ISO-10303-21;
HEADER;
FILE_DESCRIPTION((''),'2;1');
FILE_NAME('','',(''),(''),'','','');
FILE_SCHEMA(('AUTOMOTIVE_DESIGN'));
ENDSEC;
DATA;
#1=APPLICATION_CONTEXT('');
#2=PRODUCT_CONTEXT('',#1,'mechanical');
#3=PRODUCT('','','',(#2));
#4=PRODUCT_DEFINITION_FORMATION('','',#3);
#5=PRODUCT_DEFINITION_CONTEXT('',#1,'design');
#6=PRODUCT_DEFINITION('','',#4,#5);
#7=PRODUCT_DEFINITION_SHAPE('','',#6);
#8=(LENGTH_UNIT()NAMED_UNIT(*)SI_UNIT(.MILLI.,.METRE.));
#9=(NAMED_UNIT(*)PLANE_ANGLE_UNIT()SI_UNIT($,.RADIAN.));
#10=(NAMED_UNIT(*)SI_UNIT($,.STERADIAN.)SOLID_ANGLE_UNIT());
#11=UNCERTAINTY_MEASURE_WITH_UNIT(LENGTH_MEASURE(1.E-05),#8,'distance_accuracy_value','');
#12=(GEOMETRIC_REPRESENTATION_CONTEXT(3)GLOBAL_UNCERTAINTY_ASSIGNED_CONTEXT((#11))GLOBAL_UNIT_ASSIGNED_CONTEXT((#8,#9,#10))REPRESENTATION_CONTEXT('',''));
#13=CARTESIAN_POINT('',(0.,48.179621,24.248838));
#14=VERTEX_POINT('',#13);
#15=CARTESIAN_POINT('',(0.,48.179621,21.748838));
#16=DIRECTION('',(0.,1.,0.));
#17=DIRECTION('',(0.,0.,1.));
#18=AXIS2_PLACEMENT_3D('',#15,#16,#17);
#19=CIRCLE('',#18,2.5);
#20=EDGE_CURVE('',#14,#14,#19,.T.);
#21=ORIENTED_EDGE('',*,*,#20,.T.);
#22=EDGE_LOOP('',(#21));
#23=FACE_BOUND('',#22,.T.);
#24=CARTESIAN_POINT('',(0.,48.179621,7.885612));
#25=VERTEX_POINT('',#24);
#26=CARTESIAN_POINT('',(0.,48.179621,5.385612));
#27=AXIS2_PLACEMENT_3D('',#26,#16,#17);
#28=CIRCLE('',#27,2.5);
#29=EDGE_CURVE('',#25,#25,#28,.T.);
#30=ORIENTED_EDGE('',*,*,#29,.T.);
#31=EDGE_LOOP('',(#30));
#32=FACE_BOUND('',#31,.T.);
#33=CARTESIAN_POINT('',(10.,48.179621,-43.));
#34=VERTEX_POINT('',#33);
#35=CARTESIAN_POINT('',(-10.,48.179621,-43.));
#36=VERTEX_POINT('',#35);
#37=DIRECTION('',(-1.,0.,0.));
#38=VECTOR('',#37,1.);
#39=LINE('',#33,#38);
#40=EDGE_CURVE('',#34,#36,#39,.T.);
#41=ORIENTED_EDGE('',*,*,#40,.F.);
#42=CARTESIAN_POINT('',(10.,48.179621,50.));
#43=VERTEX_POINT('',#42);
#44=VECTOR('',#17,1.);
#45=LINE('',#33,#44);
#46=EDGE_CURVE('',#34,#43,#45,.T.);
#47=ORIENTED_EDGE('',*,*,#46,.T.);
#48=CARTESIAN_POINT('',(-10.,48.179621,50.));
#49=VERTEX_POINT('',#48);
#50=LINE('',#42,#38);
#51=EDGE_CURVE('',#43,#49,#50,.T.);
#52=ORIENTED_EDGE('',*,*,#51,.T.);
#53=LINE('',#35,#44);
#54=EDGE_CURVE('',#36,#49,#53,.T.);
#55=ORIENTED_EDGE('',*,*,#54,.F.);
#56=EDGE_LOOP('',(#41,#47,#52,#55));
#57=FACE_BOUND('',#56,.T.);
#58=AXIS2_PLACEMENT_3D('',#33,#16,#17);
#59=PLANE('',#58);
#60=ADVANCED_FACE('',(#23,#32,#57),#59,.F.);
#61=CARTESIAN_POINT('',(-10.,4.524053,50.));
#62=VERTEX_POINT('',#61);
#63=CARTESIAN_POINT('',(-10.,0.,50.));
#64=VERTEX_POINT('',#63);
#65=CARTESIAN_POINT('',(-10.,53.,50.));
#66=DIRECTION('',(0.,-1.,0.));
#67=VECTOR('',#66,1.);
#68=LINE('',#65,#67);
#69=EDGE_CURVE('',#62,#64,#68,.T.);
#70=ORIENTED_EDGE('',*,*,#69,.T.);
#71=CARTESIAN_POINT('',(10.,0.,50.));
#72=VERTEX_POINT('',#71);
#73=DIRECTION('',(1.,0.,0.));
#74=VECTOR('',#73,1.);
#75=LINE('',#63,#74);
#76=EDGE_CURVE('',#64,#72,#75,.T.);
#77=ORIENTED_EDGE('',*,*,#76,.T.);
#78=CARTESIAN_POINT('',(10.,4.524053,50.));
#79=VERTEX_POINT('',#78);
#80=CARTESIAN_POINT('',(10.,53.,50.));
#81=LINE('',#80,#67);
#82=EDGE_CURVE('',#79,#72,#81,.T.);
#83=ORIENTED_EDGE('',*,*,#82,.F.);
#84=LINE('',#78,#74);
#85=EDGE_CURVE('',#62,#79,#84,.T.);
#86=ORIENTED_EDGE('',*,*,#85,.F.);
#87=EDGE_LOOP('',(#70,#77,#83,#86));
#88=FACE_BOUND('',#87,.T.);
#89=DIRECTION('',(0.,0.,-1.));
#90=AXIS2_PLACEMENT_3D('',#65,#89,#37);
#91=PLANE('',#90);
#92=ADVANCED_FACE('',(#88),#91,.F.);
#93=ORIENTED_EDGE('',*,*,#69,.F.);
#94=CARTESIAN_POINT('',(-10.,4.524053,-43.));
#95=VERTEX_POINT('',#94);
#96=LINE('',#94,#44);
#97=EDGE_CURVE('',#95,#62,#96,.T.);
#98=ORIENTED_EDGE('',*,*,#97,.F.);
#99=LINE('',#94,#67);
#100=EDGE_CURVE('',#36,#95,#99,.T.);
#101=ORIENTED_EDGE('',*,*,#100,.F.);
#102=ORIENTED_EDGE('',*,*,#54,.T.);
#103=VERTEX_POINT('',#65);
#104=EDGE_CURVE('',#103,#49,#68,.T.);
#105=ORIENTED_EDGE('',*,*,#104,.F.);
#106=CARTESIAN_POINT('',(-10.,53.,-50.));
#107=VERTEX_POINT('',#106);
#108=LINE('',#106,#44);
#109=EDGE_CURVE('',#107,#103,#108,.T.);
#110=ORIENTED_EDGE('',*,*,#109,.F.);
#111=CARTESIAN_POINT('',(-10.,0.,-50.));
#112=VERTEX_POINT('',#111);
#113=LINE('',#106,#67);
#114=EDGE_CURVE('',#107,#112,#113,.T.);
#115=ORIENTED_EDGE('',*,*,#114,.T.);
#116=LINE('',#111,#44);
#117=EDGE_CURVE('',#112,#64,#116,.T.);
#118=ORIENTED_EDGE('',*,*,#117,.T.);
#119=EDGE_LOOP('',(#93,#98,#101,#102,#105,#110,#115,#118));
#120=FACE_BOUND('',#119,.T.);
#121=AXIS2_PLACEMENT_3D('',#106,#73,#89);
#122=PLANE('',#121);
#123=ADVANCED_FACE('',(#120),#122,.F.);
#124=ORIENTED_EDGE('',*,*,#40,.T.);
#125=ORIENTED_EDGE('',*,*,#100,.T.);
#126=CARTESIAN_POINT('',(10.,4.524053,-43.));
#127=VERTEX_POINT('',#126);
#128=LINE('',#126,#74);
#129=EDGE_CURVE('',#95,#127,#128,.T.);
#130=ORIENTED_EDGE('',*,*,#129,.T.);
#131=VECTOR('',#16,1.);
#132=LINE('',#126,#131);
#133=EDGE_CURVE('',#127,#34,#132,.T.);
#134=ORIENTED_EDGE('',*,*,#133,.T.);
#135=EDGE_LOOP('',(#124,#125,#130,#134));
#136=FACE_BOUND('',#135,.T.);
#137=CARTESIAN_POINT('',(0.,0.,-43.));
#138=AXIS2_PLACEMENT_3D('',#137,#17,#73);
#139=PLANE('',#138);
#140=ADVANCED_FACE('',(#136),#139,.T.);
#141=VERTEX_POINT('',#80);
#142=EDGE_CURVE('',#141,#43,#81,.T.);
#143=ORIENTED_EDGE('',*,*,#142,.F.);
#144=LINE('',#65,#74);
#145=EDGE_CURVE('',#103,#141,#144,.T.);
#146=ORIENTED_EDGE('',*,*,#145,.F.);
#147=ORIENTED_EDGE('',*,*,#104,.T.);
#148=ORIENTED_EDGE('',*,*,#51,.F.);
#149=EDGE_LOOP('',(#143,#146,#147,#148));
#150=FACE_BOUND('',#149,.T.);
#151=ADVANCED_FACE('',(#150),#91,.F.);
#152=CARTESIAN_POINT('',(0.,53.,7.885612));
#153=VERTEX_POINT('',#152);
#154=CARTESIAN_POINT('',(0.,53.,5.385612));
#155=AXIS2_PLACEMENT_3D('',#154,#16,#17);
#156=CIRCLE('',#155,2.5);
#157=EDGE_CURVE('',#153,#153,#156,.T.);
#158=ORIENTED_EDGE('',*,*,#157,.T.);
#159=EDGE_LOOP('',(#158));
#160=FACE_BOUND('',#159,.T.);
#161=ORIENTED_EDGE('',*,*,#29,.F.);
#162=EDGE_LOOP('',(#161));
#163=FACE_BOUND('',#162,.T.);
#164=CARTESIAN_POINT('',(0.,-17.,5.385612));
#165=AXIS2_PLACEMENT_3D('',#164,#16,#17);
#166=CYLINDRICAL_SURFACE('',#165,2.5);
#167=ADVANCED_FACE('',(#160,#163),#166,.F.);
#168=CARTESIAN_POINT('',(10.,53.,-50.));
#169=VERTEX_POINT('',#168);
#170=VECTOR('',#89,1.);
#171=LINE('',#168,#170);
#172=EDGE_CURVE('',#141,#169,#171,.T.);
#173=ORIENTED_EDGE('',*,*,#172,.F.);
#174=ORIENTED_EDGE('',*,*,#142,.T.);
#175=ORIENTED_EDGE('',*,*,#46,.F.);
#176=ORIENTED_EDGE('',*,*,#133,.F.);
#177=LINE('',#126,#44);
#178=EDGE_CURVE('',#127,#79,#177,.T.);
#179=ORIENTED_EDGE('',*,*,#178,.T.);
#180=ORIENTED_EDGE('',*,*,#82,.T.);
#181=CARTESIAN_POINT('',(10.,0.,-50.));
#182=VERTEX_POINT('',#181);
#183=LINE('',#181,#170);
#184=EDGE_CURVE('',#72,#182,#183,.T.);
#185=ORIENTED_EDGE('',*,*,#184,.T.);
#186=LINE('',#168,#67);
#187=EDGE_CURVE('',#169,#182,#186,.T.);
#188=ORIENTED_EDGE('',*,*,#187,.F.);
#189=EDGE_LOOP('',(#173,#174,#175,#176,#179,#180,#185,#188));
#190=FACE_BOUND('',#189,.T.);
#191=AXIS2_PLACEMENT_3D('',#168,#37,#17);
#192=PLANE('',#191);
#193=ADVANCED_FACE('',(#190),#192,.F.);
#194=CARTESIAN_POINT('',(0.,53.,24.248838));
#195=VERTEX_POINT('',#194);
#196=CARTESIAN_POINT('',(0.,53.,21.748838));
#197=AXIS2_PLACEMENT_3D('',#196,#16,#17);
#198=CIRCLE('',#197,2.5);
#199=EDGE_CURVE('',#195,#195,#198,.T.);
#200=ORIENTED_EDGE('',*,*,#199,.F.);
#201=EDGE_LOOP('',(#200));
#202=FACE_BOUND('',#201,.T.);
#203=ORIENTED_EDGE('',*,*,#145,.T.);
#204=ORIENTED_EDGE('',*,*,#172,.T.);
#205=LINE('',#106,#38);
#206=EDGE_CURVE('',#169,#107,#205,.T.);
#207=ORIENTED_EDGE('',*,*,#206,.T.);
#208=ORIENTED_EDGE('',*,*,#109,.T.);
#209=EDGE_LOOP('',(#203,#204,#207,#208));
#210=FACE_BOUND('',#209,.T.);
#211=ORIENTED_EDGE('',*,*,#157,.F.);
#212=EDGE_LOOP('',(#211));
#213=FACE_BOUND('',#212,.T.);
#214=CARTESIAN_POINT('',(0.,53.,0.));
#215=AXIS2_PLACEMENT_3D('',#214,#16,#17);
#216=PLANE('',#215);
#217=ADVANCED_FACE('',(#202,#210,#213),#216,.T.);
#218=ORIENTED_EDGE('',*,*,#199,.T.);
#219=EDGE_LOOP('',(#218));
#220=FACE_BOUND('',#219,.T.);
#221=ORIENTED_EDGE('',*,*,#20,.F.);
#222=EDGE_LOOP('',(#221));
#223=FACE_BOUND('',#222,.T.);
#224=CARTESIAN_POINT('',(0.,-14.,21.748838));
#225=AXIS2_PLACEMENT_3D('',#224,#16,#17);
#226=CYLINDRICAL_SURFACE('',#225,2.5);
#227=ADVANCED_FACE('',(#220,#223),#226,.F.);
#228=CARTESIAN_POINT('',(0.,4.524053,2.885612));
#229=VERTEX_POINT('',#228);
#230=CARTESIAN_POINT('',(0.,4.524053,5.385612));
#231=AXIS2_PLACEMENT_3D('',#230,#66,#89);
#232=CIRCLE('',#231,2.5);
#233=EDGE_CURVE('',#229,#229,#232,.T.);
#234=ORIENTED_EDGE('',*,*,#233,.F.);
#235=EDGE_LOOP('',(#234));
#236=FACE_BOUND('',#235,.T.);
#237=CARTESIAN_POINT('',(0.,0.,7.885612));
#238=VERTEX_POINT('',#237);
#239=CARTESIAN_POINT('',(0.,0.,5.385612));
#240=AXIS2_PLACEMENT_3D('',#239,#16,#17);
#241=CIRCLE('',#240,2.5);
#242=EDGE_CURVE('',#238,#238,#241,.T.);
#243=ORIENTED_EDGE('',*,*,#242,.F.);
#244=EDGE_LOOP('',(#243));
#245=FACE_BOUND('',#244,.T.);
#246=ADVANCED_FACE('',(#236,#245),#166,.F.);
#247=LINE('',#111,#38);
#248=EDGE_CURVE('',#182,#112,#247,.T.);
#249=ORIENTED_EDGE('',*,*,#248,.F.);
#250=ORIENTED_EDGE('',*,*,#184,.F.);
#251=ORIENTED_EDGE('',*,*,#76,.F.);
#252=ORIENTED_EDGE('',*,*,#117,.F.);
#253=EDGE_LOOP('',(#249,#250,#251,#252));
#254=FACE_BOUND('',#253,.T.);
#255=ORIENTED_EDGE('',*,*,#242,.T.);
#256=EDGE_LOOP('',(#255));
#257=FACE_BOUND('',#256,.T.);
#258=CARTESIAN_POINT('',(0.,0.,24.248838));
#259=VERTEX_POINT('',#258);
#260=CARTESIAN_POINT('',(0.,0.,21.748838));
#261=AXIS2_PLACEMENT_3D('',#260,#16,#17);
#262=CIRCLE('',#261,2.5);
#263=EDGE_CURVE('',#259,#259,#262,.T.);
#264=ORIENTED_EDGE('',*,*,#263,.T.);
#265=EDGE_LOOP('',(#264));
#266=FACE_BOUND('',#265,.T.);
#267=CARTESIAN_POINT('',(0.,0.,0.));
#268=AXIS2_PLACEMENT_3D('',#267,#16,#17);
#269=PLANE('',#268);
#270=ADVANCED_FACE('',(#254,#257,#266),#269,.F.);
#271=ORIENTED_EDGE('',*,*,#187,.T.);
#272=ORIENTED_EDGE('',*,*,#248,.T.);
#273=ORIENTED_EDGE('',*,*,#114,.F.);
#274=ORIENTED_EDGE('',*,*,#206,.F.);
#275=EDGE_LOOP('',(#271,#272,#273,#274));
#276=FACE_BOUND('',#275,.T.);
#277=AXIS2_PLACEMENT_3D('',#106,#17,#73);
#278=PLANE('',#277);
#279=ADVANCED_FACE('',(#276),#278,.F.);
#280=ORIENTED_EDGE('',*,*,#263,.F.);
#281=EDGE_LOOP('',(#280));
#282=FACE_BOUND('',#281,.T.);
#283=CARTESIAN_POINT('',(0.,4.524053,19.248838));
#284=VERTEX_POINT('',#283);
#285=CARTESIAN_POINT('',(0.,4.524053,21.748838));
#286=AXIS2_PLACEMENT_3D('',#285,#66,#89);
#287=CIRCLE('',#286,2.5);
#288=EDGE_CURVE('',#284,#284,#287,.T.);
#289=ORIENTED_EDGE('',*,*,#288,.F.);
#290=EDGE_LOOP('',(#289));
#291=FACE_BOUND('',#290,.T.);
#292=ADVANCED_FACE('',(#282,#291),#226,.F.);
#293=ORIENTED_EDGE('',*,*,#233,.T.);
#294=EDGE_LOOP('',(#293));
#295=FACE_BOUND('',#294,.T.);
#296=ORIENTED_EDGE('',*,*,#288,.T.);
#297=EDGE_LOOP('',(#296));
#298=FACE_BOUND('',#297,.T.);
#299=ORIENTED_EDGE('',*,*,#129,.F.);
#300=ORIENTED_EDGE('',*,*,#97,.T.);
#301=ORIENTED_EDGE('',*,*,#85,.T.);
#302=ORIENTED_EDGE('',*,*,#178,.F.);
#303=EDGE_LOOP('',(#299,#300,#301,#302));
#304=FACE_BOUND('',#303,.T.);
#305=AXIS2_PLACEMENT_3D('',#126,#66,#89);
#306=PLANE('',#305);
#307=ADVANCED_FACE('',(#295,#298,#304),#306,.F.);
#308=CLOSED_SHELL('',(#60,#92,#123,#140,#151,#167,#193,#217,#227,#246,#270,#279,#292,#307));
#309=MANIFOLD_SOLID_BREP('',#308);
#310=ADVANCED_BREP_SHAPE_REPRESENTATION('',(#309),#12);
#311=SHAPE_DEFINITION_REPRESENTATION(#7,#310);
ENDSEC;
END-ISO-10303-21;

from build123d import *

# Parameters (mm, degrees)
SKETCH1_W           = 20
SKETCH1_H           = 100
BOSS_EXTRUDE1_DEPTH = 53
SKETCH2_W           = 20
SKETCH2_H           = 22.115254232
CUT_EXTRUDE1_DEPTH  = 93
SKETCH4_W           = 20
SKETCH4_H           = 7.428579278
CUT_EXTRUDE3_DEPTH  = 93
SKETCH5_W           = 20
SKETCH5_H           = 14.111734172
CUT_EXTRUDE4_DEPTH  = 93
SKETCH6_R           = 2.5
CUT_EXTRUDE5_DEPTH  = 70
SKETCH8_R           = 2.5
CUT_EXTRUDE7_DEPTH  = 67


with BuildPart() as part:
    # Sketch1 → Boss-Extrude1 (new body)
    with BuildSketch(Plane(origin=(0, 0, 0), x_dir=(1, 0, 0), z_dir=(0, 1, 0))):
        Rectangle(SKETCH1_W, SKETCH1_H)
    extrude(amount=BOSS_EXTRUDE1_DEPTH)

    # Sketch2 → Cut-Extrude1 (cut)
    with BuildSketch(Plane.XY.offset(50)):
        with Locations((0, 15.581680587)):
            Rectangle(SKETCH2_W, SKETCH2_H)
    extrude(amount=-CUT_EXTRUDE1_DEPTH, mode=Mode.SUBTRACT)

    # Sketch4 → Cut-Extrude3 (cut)
    with BuildSketch(Plane.XY.offset(50)):
        with Locations((0, 30.353597342)):
            Rectangle(SKETCH4_W, SKETCH4_H)
    extrude(amount=-CUT_EXTRUDE3_DEPTH, mode=Mode.SUBTRACT)

    # Sketch5 → Cut-Extrude4 (cut)
    with BuildSketch(Plane.XY.offset(50)):
        with Locations((0, 41.123754067)):
            Rectangle(SKETCH5_W, SKETCH5_H)
    extrude(amount=-CUT_EXTRUDE4_DEPTH, mode=Mode.SUBTRACT)

    # Sketch6 → Cut-Extrude5 (cut)
    with BuildSketch(Plane(origin=(0, 53, 0), x_dir=(1, 0, 0), z_dir=(0, 1, 0))):
        with Locations(Location((0, -5.385612406, 0), (0, 0, 270))):
            Circle(SKETCH6_R)
    extrude(amount=-CUT_EXTRUDE5_DEPTH, mode=Mode.SUBTRACT)

    # Sketch8 → Cut-Extrude7 (cut)
    with BuildSketch(Plane(origin=(0, 53, 0), x_dir=(1, 0, 0), z_dir=(0, 1, 0))):
        with Locations(Location((0, -21.748837603, 0), (0, 0, 270))):
            Circle(SKETCH8_R)
    extrude(amount=-CUT_EXTRUDE7_DEPTH, mode=Mode.SUBTRACT)


solid = part.part
